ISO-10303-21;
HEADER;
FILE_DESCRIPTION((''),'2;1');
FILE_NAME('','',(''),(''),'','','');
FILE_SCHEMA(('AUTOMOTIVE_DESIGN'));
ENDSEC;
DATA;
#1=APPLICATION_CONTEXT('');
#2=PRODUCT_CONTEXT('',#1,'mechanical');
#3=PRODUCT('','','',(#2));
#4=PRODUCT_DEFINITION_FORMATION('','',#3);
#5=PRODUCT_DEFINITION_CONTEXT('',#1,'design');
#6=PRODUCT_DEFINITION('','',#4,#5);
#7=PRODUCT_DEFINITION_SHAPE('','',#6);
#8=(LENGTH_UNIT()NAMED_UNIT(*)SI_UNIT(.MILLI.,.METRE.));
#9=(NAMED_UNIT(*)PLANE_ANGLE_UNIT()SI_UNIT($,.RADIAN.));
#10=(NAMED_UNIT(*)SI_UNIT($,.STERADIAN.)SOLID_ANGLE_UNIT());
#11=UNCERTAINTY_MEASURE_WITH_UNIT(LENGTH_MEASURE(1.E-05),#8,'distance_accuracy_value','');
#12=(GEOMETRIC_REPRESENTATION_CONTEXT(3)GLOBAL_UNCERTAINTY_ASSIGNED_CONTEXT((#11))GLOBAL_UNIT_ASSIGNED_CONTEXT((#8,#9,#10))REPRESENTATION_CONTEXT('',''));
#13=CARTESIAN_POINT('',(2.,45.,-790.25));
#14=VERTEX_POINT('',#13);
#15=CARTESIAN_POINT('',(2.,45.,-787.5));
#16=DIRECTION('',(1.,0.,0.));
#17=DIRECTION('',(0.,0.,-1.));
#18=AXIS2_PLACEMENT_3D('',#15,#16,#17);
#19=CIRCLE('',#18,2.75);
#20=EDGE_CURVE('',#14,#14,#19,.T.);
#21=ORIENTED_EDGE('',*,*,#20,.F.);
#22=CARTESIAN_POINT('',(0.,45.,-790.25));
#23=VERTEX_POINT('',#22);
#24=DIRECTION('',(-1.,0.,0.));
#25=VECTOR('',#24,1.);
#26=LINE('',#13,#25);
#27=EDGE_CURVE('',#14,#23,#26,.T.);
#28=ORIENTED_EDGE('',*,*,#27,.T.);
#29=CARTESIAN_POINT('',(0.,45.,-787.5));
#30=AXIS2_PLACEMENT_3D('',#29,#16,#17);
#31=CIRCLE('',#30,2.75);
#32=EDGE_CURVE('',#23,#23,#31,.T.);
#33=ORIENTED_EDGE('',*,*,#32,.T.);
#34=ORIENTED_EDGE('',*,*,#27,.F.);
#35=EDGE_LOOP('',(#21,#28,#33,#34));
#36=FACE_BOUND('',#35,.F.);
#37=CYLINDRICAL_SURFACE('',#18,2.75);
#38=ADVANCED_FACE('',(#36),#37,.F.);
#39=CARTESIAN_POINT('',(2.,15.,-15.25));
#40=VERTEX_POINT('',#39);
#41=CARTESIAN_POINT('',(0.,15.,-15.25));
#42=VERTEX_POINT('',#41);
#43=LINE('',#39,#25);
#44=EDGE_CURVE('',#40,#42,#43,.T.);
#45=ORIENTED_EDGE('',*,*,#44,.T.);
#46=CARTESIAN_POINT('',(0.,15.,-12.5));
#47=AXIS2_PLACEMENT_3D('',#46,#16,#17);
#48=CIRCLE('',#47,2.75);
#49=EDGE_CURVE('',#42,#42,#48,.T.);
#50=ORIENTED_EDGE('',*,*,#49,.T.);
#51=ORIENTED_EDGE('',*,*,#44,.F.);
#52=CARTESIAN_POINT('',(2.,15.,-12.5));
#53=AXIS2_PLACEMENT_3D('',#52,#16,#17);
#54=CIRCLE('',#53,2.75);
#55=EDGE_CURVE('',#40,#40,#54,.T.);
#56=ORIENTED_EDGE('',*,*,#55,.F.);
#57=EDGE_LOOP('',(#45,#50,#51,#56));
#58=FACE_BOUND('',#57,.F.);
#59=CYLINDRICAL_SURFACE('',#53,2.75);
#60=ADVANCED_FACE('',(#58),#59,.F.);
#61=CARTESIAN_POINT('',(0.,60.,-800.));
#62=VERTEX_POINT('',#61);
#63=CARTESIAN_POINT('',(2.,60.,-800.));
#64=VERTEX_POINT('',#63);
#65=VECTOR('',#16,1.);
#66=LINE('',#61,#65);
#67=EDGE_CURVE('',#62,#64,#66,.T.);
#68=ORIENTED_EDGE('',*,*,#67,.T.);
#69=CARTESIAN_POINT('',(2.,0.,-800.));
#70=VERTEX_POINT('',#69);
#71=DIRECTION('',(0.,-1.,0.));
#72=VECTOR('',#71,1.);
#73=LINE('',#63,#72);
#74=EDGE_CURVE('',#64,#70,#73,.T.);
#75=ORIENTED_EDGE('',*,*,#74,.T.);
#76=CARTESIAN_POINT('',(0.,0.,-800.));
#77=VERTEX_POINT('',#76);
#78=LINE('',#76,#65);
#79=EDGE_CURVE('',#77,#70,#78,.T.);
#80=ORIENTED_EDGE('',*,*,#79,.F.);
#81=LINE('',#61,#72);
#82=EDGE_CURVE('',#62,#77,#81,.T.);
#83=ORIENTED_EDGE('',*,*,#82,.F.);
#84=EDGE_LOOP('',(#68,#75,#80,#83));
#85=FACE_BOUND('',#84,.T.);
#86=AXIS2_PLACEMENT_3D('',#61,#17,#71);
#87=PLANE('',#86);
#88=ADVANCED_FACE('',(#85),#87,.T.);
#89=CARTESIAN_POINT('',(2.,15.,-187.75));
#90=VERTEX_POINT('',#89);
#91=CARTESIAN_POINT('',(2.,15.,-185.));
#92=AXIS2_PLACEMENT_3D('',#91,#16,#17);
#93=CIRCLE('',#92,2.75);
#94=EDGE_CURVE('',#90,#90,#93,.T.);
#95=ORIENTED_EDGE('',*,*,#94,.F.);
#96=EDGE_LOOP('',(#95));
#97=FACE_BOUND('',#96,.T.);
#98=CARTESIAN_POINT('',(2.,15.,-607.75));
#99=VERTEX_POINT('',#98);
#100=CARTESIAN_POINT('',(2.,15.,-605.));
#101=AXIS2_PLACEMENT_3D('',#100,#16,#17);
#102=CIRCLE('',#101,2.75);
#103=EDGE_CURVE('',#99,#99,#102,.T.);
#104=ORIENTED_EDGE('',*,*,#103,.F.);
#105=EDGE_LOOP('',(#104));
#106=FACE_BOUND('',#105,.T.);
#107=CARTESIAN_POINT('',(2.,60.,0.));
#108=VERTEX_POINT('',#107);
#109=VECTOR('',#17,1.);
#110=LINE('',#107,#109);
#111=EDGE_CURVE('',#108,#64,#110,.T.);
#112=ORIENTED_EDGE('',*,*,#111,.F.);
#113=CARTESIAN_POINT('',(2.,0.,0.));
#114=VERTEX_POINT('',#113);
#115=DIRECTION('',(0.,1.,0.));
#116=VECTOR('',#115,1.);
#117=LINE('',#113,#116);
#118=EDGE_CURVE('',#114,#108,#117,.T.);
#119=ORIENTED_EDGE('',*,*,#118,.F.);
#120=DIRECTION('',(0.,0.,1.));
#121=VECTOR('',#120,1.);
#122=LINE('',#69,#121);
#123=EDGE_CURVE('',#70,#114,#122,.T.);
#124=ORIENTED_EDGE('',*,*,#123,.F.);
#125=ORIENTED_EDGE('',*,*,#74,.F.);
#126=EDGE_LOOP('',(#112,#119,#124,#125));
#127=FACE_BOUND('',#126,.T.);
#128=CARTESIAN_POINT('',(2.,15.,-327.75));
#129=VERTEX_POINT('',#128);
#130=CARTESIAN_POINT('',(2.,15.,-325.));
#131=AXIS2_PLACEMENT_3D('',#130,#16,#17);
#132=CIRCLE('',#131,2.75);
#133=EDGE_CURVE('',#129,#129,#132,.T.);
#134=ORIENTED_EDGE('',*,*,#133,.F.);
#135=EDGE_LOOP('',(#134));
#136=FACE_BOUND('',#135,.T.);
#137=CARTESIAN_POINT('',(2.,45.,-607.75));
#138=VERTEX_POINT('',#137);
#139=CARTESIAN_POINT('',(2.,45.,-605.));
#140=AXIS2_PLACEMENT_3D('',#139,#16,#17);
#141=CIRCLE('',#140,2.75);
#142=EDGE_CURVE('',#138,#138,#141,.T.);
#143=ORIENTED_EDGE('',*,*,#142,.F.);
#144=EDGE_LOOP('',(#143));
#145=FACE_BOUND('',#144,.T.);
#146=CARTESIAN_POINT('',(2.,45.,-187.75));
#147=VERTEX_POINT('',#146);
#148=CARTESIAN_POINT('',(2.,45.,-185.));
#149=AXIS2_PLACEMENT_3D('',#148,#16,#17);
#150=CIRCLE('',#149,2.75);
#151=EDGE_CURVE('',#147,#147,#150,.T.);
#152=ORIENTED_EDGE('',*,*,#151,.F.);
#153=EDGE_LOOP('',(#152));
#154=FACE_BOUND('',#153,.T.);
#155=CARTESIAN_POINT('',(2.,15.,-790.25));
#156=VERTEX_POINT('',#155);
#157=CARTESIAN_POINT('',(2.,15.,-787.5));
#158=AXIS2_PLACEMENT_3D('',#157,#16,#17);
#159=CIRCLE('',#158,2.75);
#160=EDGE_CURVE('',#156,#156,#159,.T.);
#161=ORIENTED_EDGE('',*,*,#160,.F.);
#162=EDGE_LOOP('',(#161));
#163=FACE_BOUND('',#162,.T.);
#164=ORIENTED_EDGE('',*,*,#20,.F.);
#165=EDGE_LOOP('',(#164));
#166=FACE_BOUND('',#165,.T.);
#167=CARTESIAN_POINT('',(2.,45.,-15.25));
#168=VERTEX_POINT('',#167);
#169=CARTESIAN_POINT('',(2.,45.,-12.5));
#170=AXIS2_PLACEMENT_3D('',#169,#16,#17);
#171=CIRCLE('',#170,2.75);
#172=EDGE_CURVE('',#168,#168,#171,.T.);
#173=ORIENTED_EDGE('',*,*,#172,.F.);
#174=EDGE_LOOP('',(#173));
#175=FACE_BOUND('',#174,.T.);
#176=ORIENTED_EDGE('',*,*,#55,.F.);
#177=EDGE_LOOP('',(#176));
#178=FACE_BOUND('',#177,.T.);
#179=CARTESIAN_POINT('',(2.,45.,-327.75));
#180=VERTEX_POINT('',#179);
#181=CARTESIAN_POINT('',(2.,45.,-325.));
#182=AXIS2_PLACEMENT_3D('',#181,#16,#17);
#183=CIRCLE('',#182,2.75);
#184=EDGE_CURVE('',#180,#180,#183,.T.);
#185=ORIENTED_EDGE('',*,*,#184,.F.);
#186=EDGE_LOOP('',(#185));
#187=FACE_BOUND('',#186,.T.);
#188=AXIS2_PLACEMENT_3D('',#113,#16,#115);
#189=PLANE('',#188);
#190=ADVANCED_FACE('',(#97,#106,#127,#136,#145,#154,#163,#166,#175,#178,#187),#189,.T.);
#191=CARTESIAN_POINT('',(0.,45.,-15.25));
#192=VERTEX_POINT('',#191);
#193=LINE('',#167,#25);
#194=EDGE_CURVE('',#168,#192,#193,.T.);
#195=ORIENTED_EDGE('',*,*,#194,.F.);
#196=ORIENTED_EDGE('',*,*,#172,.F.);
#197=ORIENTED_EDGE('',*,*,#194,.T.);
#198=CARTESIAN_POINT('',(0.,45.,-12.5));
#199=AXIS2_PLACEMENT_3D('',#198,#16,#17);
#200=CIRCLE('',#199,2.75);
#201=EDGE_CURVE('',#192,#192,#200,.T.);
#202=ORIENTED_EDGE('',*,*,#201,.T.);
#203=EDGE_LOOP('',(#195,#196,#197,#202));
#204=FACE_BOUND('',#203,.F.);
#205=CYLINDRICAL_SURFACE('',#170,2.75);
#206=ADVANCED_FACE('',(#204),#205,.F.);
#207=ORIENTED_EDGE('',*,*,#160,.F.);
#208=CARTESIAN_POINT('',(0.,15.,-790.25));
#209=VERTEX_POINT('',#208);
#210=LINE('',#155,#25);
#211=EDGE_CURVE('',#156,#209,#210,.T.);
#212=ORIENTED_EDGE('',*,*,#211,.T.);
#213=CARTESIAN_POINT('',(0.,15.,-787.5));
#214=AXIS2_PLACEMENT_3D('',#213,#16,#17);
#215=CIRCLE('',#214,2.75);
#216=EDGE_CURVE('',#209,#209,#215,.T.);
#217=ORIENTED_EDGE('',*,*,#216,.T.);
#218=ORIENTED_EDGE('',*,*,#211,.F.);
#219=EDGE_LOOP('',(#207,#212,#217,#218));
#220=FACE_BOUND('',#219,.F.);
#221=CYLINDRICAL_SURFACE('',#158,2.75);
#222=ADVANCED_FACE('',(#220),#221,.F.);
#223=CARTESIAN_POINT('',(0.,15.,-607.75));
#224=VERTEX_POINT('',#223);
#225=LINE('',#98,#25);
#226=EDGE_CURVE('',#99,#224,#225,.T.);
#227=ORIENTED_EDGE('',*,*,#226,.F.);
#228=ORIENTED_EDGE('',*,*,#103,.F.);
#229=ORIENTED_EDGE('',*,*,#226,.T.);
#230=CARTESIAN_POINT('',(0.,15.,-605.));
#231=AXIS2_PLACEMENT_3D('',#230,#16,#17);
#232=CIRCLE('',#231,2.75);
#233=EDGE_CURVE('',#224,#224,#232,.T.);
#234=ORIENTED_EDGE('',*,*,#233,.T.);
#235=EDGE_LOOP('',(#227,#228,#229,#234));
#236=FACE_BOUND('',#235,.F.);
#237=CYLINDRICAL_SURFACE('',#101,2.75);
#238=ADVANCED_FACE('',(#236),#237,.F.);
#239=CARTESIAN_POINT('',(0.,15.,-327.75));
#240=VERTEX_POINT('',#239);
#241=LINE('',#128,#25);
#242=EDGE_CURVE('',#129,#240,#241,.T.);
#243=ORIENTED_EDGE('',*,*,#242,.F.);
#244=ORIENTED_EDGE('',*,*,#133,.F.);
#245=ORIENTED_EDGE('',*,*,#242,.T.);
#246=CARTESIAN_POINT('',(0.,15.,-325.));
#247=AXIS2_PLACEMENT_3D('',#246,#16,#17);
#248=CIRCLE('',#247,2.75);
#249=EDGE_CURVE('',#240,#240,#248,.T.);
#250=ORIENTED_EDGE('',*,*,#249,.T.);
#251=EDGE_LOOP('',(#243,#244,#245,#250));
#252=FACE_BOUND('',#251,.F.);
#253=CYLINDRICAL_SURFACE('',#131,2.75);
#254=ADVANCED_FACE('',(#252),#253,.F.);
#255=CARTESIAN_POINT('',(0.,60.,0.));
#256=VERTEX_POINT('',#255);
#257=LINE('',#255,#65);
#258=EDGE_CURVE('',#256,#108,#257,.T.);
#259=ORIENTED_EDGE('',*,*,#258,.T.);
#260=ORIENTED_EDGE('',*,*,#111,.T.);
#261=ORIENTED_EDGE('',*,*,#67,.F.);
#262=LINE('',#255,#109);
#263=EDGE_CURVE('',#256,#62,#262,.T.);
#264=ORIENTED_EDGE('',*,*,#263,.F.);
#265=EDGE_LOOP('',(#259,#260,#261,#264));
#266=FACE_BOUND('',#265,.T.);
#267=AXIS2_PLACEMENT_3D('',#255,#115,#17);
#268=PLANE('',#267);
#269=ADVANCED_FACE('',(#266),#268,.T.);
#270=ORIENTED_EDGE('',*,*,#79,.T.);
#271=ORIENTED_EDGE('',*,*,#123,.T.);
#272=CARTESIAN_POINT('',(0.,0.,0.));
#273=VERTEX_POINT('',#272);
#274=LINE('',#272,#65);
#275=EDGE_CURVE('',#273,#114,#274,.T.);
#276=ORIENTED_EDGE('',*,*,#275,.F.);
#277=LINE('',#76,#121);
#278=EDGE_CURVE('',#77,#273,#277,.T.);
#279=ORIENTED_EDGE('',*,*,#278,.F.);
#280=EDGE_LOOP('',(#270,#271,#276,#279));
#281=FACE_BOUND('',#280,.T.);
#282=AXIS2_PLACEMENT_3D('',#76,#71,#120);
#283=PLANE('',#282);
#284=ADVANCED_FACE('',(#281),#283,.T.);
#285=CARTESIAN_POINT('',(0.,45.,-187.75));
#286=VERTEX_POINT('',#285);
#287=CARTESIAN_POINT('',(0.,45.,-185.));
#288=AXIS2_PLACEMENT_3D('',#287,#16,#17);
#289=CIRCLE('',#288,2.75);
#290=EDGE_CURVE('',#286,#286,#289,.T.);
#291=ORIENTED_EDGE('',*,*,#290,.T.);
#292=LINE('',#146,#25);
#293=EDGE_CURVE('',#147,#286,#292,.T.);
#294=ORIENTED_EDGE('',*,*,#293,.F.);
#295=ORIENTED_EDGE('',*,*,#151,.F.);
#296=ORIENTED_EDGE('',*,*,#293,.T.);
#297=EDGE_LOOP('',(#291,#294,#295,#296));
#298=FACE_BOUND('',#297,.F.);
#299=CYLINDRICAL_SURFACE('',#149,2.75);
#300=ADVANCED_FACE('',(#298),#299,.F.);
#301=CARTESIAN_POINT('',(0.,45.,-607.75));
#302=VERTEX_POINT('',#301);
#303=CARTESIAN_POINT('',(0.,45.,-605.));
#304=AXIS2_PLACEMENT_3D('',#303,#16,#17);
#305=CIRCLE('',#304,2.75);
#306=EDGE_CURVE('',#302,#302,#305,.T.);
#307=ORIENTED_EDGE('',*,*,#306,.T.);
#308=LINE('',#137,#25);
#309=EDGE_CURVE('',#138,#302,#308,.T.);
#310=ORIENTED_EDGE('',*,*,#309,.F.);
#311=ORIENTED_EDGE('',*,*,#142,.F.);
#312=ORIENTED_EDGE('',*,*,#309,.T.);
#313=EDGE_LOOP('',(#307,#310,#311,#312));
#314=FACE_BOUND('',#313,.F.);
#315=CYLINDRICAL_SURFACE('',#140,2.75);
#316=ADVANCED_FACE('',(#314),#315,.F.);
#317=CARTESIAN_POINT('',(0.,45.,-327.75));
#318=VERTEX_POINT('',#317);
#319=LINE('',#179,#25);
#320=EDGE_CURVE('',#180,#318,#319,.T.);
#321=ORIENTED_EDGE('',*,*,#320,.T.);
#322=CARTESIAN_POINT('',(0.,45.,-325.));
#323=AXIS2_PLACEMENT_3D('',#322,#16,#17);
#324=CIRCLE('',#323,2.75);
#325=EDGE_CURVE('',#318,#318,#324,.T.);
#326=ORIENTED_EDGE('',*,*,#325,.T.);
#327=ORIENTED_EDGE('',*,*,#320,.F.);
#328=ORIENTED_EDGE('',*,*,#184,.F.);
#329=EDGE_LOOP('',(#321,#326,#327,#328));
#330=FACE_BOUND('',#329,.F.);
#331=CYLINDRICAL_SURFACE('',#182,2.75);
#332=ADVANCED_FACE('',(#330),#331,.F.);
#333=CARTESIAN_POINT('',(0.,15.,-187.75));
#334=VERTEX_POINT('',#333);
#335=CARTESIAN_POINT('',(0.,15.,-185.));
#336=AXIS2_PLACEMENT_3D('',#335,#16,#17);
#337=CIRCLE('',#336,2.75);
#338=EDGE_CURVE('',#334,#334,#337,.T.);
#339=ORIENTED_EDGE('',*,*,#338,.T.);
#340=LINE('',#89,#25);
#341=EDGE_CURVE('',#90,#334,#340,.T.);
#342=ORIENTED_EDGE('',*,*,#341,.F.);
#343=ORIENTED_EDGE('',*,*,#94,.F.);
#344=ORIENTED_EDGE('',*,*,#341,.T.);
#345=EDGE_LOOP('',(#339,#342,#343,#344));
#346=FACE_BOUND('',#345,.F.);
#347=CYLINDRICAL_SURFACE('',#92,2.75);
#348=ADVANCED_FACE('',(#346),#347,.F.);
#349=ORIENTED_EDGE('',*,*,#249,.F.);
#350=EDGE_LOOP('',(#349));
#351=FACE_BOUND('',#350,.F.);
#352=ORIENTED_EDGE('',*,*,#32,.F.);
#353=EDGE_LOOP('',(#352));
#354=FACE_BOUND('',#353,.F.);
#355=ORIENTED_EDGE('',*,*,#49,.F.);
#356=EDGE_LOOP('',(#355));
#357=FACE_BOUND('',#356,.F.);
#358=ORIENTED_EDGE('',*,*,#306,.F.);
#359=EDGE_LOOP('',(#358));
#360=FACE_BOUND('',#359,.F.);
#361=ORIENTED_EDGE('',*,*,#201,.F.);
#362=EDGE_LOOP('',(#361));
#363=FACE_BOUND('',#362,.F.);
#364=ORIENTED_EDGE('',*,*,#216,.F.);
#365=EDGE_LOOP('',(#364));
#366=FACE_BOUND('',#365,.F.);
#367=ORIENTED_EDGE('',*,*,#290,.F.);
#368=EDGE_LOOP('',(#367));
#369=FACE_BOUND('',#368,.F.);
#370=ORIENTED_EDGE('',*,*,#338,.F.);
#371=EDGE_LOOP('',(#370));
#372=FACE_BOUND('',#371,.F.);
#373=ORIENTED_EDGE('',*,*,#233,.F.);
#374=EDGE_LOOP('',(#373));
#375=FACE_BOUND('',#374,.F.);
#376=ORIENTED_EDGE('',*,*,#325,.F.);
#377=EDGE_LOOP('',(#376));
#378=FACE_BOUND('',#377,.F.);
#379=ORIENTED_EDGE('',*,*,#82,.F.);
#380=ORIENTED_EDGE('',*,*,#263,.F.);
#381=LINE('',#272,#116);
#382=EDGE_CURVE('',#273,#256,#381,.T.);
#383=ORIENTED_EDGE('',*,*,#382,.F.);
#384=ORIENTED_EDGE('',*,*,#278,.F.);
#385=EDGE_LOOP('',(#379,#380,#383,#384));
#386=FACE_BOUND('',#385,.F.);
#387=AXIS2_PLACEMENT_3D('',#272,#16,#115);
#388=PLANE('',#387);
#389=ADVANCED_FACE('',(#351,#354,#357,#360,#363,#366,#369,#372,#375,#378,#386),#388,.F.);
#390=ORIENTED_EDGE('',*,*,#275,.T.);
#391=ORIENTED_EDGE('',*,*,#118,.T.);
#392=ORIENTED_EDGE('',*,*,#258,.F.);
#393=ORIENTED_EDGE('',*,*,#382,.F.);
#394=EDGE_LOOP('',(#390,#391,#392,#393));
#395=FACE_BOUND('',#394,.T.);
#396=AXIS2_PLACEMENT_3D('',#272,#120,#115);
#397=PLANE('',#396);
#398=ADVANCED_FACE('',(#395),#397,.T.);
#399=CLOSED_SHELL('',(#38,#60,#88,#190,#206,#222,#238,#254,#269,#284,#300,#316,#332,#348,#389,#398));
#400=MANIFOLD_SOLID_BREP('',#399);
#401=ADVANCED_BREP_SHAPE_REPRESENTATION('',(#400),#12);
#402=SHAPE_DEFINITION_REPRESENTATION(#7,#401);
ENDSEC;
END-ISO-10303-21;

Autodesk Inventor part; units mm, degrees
ref_plane "YZ Plane" through (0, 0, 0) normal (1, 0, 0) x (0, 1, 0)
ref_plane "XZ Plane" through (0, 0, 0) normal (0, 1, 0) x (-1, 0, 0)
ref_plane "XY Plane" through (0, 0, 0) normal (0, 0, 1) x (1, 0, 0)
sketch "Sketch1" plane through (0, 0, 0) normal (1, 0, 0) x (0, 1, 0)
  line L0 (0, 0) -> (60, 0)
  line L1 (60, 0) -> (60, -800)
  line L2 (60, -800) -> (0, -800)
  line L3 (0, -800) -> (0, 0)
  dimension "d0" = 800
  dimension "d1" = 60
extrude "Extrusion1" add sketch "Sketch1" along normal blind 2
sketch "Sketch2" plane through (2, 0, 0) normal (1, 0, 0) x (0, 0, -1)
  circle A0 centre (12.5, 45) radius 2.75
  circle A1 centre (12.5, 15) radius 2.75
  line L0 (0, 0) -> (800, 0) projected
  line L1 (0, 60) -> (0, 0) projected
  circle A2 centre (787.5, 45) radius 2.75
  line L2 (800, 0) -> (800, 60) projected
  circle A3 centre (787.5, 15) radius 2.75
  line L3 (800, 60) -> (0, 60) projected
  circle A4 centre (605, 45) radius 2.75
  circle A5 centre (605, 15) radius 2.75
  circle A6 centre (185, 45) radius 2.75
  circle A7 centre (185, 15) radius 2.75
  circle A8 centre (325, 45) radius 2.75
  circle A9 centre (325, 15) radius 2.75
  dimension "d4" = 5.5
  dimension "d5" = 5.5
  dimension "d6" = 30
  dimension "d7" = 15
  dimension "d8" = 12.5
  dimension "d9" = 12.5
  dimension "d10" = 5.5
  dimension "d11" = 12.5
  dimension "d12" = 5.5
  dimension "d13" = 12.5
  dimension "d14" = 15
  dimension "d16" = 15
  dimension "d17" = 5.5
  dimension "d18" = 5.5
  dimension "d19" = 15
  dimension "d20" = 15
  dimension "d21" = 195
  dimension "d22" = 195
  dimension "d25" = 5.5
  dimension "d26" = 5.5
  dimension "d27" = 30
  dimension "d28" = 15
  dimension "d29" = 185
  dimension "d30" = 185
  dimension "d31" = 5.5
  dimension "d32" = 5.5
  dimension "d33" = 15
  dimension "d34" = 15
  dimension "d35" = 325
  dimension "d36" = 325
extrude "Extrusion2" cut sketch "Sketch2" against normal blind 10 contours A0 | A1 | A2 | A3 | A4 | A5 | A6 | A7 | A8 | A9
properties part number "Bumper Support Plate" material "Polycarbonate, Smoke"
